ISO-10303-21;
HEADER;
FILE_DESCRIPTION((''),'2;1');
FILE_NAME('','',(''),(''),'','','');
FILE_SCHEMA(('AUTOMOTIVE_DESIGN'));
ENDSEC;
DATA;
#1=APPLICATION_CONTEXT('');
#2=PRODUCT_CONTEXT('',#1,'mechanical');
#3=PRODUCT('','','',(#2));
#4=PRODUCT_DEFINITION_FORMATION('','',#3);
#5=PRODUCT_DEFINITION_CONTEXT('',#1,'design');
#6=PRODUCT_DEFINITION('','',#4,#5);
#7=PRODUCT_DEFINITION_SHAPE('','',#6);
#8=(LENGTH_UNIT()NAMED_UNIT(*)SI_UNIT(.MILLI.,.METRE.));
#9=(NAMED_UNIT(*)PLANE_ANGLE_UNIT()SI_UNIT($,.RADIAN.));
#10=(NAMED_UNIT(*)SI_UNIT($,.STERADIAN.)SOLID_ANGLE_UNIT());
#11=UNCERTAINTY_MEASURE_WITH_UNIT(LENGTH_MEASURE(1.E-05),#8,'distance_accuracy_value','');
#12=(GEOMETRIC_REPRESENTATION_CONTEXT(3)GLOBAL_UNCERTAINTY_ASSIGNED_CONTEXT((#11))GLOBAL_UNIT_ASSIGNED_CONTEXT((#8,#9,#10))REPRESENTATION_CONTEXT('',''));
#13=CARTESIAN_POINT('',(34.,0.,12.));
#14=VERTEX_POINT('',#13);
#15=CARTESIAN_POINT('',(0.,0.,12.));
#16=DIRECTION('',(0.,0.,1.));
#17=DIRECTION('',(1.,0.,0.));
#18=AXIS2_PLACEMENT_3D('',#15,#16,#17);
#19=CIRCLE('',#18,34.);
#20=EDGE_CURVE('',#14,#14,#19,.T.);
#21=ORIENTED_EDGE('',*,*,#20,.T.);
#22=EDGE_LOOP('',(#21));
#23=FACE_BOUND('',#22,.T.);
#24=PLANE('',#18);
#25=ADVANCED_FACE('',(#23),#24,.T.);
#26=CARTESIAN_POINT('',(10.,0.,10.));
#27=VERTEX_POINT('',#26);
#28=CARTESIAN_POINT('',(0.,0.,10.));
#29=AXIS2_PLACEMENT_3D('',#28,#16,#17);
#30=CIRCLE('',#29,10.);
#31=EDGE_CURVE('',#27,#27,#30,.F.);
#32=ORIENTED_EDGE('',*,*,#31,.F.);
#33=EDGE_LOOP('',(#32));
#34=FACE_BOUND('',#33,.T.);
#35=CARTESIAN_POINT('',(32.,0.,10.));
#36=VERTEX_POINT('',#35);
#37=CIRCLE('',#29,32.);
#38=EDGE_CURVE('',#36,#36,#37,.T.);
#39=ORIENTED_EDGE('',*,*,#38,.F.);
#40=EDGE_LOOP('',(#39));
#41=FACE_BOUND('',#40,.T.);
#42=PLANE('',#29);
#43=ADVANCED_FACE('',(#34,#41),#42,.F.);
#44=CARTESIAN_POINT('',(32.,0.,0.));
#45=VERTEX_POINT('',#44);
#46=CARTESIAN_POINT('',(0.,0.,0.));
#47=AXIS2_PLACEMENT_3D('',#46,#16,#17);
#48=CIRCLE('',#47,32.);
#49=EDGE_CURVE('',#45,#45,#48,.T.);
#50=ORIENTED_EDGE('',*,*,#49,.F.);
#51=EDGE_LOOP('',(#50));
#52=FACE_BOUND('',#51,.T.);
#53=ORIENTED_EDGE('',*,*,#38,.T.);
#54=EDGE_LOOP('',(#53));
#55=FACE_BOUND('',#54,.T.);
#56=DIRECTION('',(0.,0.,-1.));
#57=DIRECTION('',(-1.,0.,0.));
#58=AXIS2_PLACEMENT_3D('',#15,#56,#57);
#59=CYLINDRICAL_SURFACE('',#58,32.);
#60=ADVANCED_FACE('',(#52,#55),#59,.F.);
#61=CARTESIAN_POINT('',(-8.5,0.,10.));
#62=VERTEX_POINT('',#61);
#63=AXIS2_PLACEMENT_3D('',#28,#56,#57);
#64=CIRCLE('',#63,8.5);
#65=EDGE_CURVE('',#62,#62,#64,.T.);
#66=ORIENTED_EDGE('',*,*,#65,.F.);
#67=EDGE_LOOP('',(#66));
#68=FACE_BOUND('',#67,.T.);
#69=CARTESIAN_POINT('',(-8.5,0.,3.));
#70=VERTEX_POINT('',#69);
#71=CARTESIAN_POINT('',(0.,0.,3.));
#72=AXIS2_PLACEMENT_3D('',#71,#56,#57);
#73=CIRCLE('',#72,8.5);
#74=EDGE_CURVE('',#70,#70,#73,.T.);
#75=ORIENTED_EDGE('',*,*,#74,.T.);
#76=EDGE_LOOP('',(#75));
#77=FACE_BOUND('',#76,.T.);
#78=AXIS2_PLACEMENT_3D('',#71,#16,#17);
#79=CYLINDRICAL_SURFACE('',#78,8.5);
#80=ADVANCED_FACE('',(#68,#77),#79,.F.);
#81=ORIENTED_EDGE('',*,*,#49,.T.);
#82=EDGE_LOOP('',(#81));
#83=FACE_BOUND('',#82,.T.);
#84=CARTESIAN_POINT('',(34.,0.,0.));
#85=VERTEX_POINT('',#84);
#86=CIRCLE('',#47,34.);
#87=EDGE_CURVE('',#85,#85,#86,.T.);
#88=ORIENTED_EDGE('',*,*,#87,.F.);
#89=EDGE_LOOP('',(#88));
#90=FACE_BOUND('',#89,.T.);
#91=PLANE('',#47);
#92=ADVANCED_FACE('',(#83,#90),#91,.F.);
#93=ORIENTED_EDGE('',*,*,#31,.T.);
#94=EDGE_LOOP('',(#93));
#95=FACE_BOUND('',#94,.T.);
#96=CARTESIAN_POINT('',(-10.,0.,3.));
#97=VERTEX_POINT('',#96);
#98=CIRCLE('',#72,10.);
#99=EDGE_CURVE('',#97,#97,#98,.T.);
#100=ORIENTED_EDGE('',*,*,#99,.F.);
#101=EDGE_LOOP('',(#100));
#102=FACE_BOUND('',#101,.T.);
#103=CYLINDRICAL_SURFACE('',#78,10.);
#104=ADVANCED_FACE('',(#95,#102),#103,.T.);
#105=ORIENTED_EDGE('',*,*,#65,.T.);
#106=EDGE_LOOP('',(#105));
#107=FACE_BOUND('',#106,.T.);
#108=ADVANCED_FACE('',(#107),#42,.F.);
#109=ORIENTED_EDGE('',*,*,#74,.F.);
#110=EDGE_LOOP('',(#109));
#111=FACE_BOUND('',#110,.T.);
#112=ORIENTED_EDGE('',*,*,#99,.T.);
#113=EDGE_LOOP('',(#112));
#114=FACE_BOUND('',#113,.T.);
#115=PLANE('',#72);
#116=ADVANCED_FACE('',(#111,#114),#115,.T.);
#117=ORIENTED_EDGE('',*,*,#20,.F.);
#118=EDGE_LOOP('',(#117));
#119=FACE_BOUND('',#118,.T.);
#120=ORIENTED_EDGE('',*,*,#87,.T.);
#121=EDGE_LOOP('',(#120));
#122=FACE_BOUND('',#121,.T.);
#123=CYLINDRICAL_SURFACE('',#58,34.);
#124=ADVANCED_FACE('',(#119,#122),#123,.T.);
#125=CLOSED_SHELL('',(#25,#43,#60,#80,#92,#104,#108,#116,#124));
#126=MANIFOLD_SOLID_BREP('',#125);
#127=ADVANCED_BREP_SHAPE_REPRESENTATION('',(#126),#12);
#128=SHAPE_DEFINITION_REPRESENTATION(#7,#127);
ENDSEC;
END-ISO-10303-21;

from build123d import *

# Parameters (mm, degrees)
SKETCH1_R           = 34
SKETCH1_R_2         = 32
BOSS_EXTRUDE1_DEPTH = 12
BOSS_EXTRUDE2_START = -2
SKETCH2_R           = 34
BOSS_EXTRUDE2_DEPTH = 2
SKETCH3_R           = 10
SKETCH3_R_2         = 8.5
BOSS_EXTRUDE3_DEPTH = 7


with BuildPart() as part:
    # Sketch1 → Boss-Extrude1 (new body)
    with BuildSketch(Plane.XY):
        Circle(SKETCH1_R)
        Circle(SKETCH1_R_2, mode=Mode.SUBTRACT)
    extrude(amount=BOSS_EXTRUDE1_DEPTH)

    # Sketch2 → Boss-Extrude2 (add)
    with BuildSketch(Plane.XY.offset(12).offset(BOSS_EXTRUDE2_START)):
        Circle(SKETCH2_R)
    extrude(amount=BOSS_EXTRUDE2_DEPTH)

    # Sketch3 → Boss-Extrude3 (add)
    with BuildSketch(Plane(origin=(0, 0, 10), x_dir=(-1, 0, 0), z_dir=(0, 0, -1))):
        with Locations(Location((0, 0, 0), (0, 0, 180))):
            Circle(SKETCH3_R)
        Circle(SKETCH3_R_2, mode=Mode.SUBTRACT)
    extrude(amount=BOSS_EXTRUDE3_DEPTH)


solid = part.part
